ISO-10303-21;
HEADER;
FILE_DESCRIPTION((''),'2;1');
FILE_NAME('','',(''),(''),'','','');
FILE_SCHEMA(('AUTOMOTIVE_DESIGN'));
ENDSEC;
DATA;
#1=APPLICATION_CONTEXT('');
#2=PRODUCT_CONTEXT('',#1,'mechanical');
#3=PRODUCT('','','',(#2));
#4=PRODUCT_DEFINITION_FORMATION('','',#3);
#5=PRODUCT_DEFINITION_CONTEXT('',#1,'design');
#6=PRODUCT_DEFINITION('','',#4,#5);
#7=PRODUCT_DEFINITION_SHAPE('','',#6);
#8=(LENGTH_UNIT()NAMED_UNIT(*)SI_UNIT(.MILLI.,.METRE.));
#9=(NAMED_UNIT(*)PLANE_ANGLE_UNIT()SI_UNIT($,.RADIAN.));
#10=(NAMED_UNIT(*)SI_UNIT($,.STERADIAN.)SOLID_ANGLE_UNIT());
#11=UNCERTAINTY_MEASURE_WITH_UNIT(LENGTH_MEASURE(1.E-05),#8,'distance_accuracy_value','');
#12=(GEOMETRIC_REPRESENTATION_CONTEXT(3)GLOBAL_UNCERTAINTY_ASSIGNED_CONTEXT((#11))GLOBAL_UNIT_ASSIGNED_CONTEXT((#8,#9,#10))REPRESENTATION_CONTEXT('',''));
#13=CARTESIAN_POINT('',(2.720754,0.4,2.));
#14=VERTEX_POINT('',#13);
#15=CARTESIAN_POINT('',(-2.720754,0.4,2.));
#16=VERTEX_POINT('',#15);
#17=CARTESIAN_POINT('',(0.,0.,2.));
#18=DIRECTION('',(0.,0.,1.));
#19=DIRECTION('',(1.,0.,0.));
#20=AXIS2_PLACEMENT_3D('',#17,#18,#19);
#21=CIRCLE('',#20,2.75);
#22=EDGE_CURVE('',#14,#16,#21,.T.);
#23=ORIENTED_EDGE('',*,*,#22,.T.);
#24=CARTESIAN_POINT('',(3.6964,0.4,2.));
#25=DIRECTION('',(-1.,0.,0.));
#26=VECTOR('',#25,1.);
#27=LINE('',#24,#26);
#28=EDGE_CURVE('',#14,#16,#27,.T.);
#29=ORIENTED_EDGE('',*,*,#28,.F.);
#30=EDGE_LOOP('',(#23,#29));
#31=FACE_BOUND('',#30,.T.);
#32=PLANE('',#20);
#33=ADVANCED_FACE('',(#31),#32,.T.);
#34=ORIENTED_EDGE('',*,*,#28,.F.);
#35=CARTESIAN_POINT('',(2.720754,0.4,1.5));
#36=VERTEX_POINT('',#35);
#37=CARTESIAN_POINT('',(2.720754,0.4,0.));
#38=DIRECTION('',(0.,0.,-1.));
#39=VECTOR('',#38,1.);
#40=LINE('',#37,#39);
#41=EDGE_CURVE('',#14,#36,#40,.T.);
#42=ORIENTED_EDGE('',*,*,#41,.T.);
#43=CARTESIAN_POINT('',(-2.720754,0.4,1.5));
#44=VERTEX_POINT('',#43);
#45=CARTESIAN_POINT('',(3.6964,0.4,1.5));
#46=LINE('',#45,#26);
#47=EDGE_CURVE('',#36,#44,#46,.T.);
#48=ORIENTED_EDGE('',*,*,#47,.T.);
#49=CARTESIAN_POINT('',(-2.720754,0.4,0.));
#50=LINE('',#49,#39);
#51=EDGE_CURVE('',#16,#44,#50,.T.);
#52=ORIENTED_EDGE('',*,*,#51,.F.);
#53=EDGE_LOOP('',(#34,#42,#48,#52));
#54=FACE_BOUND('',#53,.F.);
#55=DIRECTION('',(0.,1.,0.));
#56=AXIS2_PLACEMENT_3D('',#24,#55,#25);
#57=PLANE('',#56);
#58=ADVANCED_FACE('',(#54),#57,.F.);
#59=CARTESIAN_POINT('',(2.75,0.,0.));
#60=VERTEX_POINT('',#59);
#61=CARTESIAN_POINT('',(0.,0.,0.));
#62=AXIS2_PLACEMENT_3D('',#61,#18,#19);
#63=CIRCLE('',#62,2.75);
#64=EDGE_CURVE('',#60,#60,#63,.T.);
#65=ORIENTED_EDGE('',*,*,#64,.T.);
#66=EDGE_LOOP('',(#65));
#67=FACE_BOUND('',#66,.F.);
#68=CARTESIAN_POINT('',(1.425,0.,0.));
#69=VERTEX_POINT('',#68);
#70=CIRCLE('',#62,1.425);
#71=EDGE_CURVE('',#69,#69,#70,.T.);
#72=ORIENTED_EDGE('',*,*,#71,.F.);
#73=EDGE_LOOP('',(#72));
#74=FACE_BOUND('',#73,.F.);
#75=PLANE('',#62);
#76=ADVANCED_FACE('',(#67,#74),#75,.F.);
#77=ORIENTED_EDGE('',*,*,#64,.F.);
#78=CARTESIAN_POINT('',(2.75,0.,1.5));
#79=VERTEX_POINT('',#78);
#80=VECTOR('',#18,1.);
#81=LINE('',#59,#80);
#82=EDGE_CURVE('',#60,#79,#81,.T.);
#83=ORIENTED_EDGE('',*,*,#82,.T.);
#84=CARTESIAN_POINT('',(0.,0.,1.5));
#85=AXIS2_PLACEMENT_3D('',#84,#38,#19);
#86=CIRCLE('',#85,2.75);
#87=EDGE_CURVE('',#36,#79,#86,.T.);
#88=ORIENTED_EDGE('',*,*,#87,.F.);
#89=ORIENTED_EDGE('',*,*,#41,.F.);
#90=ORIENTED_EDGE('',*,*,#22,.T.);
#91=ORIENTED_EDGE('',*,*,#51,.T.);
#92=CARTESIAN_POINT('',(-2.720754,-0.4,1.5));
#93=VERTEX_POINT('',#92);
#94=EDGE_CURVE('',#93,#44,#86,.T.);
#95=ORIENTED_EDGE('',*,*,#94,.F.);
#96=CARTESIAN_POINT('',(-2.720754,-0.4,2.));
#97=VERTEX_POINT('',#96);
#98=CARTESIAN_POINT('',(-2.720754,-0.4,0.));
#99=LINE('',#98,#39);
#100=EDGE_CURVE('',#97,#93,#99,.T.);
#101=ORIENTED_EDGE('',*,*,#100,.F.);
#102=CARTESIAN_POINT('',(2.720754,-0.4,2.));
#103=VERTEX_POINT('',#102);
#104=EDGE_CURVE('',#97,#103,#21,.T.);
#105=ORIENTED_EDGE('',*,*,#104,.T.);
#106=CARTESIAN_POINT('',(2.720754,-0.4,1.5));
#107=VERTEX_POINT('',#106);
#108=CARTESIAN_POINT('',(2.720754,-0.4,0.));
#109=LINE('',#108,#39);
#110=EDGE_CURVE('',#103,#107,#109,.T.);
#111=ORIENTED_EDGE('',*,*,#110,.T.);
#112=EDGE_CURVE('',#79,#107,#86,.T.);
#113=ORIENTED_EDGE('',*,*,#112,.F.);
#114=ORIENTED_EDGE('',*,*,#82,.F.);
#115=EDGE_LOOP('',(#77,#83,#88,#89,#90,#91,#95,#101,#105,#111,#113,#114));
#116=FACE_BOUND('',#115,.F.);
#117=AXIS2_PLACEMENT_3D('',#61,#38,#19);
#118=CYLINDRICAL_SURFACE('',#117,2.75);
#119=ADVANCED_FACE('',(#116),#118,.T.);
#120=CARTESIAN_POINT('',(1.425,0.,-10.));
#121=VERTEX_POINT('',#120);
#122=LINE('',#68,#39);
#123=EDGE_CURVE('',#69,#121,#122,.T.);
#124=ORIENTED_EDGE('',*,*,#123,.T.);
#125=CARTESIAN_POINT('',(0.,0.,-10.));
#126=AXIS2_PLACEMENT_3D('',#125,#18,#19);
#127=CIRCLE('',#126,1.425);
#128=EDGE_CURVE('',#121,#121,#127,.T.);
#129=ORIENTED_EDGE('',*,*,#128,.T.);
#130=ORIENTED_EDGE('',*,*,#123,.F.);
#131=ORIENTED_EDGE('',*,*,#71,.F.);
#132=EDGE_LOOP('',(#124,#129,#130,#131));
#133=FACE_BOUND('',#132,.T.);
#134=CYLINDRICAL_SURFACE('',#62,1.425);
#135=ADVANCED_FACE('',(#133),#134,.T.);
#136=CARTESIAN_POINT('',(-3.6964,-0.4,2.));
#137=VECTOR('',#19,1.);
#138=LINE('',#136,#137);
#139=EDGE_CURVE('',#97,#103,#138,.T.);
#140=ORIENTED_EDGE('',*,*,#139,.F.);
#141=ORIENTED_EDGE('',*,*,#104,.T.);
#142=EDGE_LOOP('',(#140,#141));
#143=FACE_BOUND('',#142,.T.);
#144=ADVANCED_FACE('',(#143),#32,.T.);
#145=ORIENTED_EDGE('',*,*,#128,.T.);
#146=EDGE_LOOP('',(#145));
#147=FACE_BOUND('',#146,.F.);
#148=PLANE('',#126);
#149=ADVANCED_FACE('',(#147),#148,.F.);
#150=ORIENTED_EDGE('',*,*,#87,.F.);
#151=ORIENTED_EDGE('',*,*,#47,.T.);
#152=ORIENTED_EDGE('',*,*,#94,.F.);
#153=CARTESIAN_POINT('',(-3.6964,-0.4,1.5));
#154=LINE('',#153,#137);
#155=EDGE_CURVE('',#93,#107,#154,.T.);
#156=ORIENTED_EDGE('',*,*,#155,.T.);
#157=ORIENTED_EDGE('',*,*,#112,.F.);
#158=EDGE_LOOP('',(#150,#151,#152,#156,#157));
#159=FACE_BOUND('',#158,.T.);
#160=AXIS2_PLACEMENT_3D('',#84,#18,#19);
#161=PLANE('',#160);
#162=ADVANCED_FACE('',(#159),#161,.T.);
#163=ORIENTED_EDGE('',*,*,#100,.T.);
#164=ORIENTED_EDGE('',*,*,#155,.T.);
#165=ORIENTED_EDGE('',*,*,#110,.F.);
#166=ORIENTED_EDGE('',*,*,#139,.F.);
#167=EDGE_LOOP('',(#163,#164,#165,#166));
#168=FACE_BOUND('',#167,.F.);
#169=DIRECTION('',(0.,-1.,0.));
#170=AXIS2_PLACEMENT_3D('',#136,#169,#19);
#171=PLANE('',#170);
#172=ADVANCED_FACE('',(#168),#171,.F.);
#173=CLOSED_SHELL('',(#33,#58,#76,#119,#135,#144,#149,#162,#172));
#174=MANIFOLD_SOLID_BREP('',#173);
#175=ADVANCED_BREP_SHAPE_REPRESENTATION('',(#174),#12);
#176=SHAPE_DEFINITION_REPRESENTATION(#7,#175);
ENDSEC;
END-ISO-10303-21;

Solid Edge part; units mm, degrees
sketch "Sketch1" plane through (0, 0, 0) normal (0, 0, 1) x (1, 0, 0)
  circle A0 centre (0, 0) radius 1.425
extrude "Protrusion1" add sketch "Sketch1" against normal blind 10
sketch "Sketch2" plane through (0, 0, 0) normal (0, 0, 1) x (1, 0, 0)
  circle A0 centre (0, 0) radius 2.75
extrude "ExtrudedProtrusion_2" add sketch "Sketch2" along normal blind 2
sketch "Sketch3" plane through (0, 0, 2) normal (0, 0, 1) x (1, 0, 0)
  line L0 (3.6964, 0.4) -> (-3.6964, 0.4)
  line L1 (-3.6964, 0.4) -> (-3.6964, -0.4)
  line L2 (-3.6964, -0.4) -> (3.6964, -0.4)
  line L3 (3.6964, -0.4) -> (3.6964, 0.4)
extrude "ExtrudedCutout_1" cut sketch "Sketch3" against normal blind 0.5
properties material "Graphite"
